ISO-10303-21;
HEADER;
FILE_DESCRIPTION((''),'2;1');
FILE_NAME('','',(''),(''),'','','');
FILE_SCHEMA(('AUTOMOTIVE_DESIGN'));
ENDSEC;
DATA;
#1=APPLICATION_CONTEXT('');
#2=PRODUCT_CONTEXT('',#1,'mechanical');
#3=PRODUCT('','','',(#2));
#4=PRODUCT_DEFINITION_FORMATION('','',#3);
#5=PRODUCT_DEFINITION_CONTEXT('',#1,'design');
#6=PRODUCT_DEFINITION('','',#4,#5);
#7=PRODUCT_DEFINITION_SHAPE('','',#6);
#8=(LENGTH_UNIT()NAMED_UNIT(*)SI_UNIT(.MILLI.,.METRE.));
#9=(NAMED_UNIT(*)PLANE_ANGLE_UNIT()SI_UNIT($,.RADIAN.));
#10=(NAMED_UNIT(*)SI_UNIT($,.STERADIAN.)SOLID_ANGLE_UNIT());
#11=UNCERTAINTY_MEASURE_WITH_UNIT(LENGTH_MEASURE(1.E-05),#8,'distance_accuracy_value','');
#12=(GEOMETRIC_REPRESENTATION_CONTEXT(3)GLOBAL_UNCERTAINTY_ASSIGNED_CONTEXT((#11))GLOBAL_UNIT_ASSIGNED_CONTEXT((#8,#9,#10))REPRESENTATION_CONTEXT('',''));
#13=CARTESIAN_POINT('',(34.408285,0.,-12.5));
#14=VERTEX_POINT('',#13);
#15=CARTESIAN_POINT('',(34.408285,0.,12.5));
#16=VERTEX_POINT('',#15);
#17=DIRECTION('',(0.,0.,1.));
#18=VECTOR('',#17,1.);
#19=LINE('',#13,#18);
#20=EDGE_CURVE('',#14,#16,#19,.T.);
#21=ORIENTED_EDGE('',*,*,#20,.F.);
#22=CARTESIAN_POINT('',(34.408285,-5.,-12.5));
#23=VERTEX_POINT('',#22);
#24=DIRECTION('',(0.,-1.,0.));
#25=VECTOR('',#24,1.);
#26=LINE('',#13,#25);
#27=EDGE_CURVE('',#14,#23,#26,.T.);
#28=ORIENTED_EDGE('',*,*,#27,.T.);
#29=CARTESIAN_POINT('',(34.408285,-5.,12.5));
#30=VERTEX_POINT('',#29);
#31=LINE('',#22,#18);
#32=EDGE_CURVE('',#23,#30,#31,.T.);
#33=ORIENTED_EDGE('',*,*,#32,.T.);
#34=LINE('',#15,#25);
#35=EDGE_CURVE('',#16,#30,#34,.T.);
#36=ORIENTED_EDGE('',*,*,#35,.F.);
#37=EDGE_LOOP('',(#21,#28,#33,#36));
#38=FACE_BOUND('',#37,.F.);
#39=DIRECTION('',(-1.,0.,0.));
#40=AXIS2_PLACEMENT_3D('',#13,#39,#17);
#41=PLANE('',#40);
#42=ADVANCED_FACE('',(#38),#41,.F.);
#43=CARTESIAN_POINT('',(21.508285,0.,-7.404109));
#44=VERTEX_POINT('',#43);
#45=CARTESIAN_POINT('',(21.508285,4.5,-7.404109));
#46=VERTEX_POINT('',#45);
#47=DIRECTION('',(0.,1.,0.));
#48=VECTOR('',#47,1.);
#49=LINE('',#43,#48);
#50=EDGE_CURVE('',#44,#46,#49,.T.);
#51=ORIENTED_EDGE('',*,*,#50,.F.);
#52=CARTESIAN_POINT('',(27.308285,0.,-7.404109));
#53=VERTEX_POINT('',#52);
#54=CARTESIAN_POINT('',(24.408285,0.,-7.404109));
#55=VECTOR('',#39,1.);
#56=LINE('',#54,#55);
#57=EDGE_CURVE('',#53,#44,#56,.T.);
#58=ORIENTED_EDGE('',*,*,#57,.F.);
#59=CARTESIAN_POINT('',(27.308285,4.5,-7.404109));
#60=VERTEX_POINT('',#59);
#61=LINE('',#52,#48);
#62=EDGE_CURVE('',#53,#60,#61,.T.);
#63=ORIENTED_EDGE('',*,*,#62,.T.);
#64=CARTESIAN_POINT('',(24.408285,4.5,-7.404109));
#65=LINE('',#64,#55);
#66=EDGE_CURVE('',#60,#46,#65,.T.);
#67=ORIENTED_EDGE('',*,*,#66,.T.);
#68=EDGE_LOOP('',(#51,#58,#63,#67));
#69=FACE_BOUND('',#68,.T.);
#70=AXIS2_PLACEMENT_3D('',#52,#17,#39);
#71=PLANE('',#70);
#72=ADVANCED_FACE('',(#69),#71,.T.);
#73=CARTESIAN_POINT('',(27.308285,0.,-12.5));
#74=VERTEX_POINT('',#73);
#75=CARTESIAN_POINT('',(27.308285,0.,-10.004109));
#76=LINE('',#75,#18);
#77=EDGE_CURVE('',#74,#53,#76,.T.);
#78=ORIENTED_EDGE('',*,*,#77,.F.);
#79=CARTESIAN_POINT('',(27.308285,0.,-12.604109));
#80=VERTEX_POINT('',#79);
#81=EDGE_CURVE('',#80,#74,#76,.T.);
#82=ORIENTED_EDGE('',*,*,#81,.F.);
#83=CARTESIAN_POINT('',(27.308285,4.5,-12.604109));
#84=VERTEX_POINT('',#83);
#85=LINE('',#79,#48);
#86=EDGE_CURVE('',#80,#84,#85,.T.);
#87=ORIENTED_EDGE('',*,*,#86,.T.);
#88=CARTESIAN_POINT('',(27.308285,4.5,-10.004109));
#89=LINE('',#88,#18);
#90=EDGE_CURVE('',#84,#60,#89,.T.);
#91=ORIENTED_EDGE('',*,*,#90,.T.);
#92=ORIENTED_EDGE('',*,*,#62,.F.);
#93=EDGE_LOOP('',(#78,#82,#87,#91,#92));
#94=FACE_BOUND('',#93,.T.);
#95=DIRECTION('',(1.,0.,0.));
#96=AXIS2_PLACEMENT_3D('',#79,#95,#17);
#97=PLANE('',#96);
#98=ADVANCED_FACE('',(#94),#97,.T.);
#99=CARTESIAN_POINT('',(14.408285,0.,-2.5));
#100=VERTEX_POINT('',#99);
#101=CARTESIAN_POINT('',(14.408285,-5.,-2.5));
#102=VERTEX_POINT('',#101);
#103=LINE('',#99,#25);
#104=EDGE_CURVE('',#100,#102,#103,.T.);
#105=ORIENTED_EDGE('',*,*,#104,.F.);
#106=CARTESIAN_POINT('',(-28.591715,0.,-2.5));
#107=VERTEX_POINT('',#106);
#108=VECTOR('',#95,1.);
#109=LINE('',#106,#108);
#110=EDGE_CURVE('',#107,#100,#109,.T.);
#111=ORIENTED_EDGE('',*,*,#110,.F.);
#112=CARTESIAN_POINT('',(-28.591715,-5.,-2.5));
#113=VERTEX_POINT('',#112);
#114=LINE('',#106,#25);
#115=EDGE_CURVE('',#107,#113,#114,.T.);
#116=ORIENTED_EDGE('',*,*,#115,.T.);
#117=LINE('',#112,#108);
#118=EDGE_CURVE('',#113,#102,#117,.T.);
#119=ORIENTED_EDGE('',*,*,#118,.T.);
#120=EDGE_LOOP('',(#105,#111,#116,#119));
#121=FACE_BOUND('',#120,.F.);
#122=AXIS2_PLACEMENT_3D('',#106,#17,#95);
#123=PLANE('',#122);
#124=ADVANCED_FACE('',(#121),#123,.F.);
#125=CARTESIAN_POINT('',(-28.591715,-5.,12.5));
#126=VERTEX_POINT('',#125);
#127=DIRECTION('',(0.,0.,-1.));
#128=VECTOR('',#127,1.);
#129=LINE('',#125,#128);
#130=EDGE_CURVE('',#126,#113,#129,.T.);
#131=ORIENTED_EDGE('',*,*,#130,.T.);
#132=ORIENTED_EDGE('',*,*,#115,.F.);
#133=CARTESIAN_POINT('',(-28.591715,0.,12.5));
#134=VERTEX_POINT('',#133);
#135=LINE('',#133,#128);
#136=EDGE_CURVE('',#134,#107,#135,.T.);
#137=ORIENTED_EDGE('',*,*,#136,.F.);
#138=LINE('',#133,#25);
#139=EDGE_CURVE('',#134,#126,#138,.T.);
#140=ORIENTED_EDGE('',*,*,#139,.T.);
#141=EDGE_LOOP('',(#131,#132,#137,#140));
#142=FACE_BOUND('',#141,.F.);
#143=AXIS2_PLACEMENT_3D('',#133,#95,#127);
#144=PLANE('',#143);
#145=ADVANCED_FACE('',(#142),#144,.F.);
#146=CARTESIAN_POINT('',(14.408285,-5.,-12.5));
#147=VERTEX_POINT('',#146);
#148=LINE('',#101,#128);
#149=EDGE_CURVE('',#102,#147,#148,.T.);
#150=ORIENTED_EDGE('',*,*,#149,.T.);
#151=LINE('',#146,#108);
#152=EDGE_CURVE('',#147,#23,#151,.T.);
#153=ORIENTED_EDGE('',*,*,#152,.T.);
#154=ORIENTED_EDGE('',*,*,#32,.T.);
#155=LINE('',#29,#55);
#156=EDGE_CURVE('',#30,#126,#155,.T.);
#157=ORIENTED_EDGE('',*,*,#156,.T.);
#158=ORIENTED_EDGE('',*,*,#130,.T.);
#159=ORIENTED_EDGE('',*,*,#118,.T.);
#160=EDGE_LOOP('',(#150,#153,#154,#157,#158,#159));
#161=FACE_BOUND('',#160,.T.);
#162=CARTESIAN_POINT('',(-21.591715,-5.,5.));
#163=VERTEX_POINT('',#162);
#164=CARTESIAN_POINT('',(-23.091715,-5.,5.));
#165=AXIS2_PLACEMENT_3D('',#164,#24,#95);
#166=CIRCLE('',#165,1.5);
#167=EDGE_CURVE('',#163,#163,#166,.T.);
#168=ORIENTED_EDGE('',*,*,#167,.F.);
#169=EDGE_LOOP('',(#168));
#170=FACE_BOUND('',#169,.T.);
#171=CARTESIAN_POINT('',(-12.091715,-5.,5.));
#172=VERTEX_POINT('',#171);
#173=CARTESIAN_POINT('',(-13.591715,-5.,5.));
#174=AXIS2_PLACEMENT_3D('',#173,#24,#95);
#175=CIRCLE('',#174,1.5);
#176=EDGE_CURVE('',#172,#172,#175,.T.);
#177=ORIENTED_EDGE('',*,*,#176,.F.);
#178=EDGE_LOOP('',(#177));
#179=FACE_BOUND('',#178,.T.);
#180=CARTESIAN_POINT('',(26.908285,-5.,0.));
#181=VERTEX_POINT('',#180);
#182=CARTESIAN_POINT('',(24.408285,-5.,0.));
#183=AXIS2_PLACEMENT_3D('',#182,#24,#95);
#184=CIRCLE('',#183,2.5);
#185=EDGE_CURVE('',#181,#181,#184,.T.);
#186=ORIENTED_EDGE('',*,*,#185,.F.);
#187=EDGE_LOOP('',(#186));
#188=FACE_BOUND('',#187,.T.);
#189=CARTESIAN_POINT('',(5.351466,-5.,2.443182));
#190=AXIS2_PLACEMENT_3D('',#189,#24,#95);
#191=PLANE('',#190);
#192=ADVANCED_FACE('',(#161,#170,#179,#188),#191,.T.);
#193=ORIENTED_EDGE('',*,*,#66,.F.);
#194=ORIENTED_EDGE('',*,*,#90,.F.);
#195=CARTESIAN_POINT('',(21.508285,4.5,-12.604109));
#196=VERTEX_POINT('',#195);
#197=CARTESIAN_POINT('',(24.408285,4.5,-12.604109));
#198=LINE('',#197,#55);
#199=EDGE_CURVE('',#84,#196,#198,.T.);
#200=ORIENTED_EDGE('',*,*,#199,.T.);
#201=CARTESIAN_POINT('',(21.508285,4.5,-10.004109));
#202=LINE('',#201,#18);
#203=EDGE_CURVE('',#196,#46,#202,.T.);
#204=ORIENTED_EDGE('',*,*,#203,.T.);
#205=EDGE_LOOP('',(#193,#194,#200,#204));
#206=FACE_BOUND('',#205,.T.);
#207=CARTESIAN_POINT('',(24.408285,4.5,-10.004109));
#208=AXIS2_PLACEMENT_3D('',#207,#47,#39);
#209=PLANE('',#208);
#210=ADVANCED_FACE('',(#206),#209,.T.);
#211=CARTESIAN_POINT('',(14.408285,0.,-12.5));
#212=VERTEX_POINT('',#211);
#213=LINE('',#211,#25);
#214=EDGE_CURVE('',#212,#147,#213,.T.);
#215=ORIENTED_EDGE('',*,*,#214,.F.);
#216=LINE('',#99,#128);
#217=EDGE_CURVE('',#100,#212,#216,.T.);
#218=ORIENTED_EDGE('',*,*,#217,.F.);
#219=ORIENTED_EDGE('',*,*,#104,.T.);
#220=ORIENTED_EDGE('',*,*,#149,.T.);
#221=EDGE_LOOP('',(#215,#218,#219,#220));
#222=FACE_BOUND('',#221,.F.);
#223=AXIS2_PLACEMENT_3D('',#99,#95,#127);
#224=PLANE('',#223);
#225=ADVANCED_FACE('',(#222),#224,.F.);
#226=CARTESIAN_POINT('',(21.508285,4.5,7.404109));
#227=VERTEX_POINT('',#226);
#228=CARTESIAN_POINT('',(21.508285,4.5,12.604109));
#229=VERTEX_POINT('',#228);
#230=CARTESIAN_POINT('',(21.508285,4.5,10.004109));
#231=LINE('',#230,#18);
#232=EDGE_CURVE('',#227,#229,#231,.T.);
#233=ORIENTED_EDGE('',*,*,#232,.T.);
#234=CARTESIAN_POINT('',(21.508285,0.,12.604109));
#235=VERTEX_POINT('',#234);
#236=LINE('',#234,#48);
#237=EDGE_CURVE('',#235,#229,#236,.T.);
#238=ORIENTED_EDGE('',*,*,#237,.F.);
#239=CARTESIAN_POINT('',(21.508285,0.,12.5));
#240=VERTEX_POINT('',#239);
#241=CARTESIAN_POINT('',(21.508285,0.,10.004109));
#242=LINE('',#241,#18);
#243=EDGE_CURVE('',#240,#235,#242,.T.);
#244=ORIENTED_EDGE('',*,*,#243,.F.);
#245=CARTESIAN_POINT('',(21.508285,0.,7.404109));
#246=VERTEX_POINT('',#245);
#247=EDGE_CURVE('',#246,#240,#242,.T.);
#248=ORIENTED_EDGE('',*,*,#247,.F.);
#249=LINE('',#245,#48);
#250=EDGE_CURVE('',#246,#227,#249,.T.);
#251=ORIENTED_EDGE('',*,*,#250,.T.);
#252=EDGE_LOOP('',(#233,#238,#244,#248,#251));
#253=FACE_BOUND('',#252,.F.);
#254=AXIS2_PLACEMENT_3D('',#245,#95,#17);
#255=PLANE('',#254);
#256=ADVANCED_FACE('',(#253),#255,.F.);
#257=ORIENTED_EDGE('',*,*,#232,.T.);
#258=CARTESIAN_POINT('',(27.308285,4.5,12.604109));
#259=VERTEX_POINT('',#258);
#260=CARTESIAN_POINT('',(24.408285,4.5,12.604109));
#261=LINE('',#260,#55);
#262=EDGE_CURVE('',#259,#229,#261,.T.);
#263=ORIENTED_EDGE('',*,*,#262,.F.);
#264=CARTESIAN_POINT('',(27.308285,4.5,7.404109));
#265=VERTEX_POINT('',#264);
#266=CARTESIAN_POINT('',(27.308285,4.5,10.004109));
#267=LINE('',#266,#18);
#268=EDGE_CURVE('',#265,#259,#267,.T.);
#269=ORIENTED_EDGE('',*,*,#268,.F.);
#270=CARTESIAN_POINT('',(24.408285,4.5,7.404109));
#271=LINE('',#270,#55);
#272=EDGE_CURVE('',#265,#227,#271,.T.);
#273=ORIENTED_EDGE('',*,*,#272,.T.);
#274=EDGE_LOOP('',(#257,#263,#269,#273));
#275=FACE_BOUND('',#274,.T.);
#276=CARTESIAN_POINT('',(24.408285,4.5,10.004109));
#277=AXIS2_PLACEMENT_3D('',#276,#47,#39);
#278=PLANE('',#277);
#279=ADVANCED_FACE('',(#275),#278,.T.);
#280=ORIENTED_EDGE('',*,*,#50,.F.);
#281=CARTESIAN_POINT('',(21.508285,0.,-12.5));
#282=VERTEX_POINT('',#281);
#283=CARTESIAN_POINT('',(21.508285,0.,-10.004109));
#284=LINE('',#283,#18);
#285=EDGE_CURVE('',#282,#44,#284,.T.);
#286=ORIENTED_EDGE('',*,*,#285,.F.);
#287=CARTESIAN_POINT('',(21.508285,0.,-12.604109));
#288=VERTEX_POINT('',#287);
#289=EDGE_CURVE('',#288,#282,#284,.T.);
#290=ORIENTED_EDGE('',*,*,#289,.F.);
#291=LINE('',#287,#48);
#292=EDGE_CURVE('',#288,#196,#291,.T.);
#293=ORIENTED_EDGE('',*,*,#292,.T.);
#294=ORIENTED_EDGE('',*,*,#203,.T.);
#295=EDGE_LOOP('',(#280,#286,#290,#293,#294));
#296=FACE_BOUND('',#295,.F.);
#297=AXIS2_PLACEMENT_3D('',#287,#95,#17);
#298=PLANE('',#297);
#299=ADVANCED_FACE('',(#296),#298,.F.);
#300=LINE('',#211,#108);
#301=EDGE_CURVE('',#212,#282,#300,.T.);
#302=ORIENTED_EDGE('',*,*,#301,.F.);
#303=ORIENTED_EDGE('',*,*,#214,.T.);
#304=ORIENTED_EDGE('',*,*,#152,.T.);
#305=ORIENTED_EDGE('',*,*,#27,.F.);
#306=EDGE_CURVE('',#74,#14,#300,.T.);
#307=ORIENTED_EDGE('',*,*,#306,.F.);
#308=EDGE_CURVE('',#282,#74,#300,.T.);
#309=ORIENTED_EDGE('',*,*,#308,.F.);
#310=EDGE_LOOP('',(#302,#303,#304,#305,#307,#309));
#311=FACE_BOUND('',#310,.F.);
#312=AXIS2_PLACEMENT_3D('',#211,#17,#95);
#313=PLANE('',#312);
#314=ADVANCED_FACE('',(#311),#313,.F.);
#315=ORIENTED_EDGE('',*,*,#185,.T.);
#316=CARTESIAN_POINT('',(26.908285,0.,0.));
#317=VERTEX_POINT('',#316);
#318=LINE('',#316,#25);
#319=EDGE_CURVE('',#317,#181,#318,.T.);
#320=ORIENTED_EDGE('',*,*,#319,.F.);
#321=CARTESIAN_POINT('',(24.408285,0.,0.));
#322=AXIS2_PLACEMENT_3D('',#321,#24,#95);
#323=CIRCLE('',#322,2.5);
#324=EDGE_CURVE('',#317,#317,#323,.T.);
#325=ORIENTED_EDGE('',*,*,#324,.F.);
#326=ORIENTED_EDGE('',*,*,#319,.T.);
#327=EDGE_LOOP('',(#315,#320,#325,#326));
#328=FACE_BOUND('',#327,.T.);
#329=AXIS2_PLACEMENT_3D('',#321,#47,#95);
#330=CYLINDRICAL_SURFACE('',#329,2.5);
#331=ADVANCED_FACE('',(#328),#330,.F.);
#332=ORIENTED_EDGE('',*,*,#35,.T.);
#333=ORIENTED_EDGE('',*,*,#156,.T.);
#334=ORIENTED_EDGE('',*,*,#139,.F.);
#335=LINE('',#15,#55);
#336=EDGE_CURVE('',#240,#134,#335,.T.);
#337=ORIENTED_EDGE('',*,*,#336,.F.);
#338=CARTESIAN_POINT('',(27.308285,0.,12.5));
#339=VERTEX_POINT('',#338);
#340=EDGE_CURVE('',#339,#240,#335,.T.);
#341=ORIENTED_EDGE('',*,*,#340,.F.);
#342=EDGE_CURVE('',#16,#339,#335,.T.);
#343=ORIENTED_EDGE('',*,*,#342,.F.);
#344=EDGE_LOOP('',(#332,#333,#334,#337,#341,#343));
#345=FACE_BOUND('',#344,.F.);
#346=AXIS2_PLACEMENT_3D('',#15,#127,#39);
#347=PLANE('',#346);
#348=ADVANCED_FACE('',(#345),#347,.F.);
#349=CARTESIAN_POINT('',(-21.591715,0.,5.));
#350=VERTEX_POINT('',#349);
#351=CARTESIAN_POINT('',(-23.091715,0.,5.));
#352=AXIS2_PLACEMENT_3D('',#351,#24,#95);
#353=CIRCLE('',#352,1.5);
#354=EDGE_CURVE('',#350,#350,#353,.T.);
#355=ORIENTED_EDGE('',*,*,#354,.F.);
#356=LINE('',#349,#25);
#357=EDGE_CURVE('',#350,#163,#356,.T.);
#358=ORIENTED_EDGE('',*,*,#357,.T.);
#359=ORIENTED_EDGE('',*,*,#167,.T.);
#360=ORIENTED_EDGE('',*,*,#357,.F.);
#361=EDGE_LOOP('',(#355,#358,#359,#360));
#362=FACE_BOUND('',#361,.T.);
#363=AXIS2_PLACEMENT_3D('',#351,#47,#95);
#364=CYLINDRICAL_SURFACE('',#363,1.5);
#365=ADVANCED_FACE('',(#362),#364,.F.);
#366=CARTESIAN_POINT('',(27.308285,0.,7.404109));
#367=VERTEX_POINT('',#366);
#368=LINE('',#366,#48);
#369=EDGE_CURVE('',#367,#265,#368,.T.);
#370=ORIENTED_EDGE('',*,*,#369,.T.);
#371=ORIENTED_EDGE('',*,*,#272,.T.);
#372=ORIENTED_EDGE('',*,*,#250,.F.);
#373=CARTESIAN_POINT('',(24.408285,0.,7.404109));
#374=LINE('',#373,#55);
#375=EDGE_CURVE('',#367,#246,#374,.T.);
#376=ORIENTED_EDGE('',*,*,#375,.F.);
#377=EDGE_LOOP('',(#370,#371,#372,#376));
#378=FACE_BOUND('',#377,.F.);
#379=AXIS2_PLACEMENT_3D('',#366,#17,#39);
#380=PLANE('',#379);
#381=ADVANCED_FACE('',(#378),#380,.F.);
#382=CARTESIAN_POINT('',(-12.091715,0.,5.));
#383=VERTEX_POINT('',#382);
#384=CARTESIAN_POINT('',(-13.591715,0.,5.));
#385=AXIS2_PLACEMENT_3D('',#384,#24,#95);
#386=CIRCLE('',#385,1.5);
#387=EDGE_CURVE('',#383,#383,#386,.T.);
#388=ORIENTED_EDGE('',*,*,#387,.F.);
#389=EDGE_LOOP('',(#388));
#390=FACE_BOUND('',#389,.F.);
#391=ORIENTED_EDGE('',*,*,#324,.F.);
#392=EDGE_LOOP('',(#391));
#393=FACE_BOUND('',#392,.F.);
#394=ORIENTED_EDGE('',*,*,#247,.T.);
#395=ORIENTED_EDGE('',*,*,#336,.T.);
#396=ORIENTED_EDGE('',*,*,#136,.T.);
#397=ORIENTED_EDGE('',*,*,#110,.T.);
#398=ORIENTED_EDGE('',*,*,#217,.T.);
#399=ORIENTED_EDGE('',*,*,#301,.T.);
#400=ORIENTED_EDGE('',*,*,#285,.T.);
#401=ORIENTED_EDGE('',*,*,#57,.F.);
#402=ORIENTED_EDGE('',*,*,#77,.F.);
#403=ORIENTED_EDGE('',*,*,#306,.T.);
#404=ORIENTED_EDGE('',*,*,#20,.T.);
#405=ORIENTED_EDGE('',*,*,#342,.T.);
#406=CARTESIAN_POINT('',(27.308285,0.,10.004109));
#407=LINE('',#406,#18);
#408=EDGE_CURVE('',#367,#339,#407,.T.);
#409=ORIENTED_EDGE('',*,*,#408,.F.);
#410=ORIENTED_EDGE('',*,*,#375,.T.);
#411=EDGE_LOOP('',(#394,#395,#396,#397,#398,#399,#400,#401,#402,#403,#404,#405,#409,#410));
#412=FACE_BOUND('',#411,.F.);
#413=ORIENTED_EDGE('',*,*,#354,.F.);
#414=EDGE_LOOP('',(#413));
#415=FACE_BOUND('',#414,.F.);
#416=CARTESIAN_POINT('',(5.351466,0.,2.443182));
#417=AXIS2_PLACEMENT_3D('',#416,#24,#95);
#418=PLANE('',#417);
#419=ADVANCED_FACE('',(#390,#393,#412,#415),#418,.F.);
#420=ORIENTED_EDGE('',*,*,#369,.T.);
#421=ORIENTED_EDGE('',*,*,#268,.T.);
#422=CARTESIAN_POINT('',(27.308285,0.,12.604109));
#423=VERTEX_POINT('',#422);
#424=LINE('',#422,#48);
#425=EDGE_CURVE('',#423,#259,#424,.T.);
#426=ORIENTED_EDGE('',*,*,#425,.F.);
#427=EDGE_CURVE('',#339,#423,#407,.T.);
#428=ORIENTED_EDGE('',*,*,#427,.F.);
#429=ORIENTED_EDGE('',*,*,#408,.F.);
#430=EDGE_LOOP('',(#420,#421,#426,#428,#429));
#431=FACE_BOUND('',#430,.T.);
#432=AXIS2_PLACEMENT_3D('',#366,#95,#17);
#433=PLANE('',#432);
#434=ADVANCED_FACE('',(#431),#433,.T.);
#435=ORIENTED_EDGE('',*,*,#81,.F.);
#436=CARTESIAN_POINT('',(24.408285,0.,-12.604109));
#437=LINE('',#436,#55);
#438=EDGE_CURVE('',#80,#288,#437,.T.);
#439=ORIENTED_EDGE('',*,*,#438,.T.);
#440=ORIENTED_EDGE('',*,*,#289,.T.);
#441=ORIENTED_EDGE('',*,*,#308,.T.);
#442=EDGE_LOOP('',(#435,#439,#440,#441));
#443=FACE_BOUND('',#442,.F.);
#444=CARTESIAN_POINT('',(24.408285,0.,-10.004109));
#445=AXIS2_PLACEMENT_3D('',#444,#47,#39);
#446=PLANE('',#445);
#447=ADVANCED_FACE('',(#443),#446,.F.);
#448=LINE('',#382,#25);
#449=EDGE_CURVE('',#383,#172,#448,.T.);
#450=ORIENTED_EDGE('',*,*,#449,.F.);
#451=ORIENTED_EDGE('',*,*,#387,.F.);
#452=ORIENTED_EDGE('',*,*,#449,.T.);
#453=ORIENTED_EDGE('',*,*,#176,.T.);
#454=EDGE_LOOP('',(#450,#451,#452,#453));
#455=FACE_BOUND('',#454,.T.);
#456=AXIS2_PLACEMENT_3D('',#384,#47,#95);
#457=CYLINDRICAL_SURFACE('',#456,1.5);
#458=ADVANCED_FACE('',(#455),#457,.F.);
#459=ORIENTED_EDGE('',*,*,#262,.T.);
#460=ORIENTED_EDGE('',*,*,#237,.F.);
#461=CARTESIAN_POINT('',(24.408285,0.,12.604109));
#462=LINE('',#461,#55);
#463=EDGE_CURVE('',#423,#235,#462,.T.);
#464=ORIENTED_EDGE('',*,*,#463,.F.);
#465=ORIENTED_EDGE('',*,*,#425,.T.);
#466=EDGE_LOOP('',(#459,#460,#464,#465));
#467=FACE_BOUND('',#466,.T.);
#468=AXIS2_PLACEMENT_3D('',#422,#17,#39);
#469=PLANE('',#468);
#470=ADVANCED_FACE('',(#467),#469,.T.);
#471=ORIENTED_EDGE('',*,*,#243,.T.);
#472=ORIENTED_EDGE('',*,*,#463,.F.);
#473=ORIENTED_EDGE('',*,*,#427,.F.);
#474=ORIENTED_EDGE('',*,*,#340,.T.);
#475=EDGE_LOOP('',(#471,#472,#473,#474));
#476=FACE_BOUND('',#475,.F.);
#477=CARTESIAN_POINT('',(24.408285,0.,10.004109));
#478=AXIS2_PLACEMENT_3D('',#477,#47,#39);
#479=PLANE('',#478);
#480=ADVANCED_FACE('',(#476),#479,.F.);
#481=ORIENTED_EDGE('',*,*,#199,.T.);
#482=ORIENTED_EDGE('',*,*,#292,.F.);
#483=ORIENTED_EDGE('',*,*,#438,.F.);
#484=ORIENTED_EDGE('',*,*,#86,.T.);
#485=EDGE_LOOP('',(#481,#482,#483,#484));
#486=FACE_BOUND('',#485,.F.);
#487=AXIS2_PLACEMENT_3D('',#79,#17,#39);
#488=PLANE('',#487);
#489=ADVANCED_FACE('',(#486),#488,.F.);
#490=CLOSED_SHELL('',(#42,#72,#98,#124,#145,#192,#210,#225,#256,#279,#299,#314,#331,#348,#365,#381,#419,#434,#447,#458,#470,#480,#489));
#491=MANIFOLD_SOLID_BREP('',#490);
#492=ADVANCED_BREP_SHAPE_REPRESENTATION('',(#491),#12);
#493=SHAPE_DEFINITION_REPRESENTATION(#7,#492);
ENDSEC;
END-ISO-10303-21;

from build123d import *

# Parameters (mm, degrees)
F0_R     = 1.5
F0_R_2   = 2.5
F1_DEPTH = 5
F3_W     = 5.8
F3_H     = 5.2
F4_DEPTH = 4.5


with BuildPart() as f1:
    # F0 (on Front) → F1 (new body)
    with BuildSketch(Plane.XZ):
        Polygon((34.4082845706, -12.5), (34.4082845706, 12.5), (14.4082845706, 12.5), (-28.5917154294, 12.5), (-28.5917154294, -2.5), (14.4082845706, -2.5), (14.4082845706, -12.5), align=None)
        with Locations((-23.0917154294, 5)):
            Circle(F0_R, mode=Mode.SUBTRACT)
        with Locations((-13.5917154294, 5)):
            Circle(F0_R, mode=Mode.SUBTRACT)
        with Locations((24.4082845706, 0)):
            Circle(F0_R_2, mode=Mode.SUBTRACT)
    extrude(amount=F1_DEPTH)

    # F3 (on offset) → F4 (join)
    with BuildSketch(Plane(origin=(0, 0, 0), x_dir=(-1, 0, 0), z_dir=(0, 1, 0))):
        with Locations((-24.4082845706, 10.0041090116)):
            Rectangle(F3_W, F3_H)
        with Locations((-24.4082845706, -10.0041090116)):
            Rectangle(F3_W, F3_H)
    extrude(amount=F4_DEPTH)


solid = f1.part
